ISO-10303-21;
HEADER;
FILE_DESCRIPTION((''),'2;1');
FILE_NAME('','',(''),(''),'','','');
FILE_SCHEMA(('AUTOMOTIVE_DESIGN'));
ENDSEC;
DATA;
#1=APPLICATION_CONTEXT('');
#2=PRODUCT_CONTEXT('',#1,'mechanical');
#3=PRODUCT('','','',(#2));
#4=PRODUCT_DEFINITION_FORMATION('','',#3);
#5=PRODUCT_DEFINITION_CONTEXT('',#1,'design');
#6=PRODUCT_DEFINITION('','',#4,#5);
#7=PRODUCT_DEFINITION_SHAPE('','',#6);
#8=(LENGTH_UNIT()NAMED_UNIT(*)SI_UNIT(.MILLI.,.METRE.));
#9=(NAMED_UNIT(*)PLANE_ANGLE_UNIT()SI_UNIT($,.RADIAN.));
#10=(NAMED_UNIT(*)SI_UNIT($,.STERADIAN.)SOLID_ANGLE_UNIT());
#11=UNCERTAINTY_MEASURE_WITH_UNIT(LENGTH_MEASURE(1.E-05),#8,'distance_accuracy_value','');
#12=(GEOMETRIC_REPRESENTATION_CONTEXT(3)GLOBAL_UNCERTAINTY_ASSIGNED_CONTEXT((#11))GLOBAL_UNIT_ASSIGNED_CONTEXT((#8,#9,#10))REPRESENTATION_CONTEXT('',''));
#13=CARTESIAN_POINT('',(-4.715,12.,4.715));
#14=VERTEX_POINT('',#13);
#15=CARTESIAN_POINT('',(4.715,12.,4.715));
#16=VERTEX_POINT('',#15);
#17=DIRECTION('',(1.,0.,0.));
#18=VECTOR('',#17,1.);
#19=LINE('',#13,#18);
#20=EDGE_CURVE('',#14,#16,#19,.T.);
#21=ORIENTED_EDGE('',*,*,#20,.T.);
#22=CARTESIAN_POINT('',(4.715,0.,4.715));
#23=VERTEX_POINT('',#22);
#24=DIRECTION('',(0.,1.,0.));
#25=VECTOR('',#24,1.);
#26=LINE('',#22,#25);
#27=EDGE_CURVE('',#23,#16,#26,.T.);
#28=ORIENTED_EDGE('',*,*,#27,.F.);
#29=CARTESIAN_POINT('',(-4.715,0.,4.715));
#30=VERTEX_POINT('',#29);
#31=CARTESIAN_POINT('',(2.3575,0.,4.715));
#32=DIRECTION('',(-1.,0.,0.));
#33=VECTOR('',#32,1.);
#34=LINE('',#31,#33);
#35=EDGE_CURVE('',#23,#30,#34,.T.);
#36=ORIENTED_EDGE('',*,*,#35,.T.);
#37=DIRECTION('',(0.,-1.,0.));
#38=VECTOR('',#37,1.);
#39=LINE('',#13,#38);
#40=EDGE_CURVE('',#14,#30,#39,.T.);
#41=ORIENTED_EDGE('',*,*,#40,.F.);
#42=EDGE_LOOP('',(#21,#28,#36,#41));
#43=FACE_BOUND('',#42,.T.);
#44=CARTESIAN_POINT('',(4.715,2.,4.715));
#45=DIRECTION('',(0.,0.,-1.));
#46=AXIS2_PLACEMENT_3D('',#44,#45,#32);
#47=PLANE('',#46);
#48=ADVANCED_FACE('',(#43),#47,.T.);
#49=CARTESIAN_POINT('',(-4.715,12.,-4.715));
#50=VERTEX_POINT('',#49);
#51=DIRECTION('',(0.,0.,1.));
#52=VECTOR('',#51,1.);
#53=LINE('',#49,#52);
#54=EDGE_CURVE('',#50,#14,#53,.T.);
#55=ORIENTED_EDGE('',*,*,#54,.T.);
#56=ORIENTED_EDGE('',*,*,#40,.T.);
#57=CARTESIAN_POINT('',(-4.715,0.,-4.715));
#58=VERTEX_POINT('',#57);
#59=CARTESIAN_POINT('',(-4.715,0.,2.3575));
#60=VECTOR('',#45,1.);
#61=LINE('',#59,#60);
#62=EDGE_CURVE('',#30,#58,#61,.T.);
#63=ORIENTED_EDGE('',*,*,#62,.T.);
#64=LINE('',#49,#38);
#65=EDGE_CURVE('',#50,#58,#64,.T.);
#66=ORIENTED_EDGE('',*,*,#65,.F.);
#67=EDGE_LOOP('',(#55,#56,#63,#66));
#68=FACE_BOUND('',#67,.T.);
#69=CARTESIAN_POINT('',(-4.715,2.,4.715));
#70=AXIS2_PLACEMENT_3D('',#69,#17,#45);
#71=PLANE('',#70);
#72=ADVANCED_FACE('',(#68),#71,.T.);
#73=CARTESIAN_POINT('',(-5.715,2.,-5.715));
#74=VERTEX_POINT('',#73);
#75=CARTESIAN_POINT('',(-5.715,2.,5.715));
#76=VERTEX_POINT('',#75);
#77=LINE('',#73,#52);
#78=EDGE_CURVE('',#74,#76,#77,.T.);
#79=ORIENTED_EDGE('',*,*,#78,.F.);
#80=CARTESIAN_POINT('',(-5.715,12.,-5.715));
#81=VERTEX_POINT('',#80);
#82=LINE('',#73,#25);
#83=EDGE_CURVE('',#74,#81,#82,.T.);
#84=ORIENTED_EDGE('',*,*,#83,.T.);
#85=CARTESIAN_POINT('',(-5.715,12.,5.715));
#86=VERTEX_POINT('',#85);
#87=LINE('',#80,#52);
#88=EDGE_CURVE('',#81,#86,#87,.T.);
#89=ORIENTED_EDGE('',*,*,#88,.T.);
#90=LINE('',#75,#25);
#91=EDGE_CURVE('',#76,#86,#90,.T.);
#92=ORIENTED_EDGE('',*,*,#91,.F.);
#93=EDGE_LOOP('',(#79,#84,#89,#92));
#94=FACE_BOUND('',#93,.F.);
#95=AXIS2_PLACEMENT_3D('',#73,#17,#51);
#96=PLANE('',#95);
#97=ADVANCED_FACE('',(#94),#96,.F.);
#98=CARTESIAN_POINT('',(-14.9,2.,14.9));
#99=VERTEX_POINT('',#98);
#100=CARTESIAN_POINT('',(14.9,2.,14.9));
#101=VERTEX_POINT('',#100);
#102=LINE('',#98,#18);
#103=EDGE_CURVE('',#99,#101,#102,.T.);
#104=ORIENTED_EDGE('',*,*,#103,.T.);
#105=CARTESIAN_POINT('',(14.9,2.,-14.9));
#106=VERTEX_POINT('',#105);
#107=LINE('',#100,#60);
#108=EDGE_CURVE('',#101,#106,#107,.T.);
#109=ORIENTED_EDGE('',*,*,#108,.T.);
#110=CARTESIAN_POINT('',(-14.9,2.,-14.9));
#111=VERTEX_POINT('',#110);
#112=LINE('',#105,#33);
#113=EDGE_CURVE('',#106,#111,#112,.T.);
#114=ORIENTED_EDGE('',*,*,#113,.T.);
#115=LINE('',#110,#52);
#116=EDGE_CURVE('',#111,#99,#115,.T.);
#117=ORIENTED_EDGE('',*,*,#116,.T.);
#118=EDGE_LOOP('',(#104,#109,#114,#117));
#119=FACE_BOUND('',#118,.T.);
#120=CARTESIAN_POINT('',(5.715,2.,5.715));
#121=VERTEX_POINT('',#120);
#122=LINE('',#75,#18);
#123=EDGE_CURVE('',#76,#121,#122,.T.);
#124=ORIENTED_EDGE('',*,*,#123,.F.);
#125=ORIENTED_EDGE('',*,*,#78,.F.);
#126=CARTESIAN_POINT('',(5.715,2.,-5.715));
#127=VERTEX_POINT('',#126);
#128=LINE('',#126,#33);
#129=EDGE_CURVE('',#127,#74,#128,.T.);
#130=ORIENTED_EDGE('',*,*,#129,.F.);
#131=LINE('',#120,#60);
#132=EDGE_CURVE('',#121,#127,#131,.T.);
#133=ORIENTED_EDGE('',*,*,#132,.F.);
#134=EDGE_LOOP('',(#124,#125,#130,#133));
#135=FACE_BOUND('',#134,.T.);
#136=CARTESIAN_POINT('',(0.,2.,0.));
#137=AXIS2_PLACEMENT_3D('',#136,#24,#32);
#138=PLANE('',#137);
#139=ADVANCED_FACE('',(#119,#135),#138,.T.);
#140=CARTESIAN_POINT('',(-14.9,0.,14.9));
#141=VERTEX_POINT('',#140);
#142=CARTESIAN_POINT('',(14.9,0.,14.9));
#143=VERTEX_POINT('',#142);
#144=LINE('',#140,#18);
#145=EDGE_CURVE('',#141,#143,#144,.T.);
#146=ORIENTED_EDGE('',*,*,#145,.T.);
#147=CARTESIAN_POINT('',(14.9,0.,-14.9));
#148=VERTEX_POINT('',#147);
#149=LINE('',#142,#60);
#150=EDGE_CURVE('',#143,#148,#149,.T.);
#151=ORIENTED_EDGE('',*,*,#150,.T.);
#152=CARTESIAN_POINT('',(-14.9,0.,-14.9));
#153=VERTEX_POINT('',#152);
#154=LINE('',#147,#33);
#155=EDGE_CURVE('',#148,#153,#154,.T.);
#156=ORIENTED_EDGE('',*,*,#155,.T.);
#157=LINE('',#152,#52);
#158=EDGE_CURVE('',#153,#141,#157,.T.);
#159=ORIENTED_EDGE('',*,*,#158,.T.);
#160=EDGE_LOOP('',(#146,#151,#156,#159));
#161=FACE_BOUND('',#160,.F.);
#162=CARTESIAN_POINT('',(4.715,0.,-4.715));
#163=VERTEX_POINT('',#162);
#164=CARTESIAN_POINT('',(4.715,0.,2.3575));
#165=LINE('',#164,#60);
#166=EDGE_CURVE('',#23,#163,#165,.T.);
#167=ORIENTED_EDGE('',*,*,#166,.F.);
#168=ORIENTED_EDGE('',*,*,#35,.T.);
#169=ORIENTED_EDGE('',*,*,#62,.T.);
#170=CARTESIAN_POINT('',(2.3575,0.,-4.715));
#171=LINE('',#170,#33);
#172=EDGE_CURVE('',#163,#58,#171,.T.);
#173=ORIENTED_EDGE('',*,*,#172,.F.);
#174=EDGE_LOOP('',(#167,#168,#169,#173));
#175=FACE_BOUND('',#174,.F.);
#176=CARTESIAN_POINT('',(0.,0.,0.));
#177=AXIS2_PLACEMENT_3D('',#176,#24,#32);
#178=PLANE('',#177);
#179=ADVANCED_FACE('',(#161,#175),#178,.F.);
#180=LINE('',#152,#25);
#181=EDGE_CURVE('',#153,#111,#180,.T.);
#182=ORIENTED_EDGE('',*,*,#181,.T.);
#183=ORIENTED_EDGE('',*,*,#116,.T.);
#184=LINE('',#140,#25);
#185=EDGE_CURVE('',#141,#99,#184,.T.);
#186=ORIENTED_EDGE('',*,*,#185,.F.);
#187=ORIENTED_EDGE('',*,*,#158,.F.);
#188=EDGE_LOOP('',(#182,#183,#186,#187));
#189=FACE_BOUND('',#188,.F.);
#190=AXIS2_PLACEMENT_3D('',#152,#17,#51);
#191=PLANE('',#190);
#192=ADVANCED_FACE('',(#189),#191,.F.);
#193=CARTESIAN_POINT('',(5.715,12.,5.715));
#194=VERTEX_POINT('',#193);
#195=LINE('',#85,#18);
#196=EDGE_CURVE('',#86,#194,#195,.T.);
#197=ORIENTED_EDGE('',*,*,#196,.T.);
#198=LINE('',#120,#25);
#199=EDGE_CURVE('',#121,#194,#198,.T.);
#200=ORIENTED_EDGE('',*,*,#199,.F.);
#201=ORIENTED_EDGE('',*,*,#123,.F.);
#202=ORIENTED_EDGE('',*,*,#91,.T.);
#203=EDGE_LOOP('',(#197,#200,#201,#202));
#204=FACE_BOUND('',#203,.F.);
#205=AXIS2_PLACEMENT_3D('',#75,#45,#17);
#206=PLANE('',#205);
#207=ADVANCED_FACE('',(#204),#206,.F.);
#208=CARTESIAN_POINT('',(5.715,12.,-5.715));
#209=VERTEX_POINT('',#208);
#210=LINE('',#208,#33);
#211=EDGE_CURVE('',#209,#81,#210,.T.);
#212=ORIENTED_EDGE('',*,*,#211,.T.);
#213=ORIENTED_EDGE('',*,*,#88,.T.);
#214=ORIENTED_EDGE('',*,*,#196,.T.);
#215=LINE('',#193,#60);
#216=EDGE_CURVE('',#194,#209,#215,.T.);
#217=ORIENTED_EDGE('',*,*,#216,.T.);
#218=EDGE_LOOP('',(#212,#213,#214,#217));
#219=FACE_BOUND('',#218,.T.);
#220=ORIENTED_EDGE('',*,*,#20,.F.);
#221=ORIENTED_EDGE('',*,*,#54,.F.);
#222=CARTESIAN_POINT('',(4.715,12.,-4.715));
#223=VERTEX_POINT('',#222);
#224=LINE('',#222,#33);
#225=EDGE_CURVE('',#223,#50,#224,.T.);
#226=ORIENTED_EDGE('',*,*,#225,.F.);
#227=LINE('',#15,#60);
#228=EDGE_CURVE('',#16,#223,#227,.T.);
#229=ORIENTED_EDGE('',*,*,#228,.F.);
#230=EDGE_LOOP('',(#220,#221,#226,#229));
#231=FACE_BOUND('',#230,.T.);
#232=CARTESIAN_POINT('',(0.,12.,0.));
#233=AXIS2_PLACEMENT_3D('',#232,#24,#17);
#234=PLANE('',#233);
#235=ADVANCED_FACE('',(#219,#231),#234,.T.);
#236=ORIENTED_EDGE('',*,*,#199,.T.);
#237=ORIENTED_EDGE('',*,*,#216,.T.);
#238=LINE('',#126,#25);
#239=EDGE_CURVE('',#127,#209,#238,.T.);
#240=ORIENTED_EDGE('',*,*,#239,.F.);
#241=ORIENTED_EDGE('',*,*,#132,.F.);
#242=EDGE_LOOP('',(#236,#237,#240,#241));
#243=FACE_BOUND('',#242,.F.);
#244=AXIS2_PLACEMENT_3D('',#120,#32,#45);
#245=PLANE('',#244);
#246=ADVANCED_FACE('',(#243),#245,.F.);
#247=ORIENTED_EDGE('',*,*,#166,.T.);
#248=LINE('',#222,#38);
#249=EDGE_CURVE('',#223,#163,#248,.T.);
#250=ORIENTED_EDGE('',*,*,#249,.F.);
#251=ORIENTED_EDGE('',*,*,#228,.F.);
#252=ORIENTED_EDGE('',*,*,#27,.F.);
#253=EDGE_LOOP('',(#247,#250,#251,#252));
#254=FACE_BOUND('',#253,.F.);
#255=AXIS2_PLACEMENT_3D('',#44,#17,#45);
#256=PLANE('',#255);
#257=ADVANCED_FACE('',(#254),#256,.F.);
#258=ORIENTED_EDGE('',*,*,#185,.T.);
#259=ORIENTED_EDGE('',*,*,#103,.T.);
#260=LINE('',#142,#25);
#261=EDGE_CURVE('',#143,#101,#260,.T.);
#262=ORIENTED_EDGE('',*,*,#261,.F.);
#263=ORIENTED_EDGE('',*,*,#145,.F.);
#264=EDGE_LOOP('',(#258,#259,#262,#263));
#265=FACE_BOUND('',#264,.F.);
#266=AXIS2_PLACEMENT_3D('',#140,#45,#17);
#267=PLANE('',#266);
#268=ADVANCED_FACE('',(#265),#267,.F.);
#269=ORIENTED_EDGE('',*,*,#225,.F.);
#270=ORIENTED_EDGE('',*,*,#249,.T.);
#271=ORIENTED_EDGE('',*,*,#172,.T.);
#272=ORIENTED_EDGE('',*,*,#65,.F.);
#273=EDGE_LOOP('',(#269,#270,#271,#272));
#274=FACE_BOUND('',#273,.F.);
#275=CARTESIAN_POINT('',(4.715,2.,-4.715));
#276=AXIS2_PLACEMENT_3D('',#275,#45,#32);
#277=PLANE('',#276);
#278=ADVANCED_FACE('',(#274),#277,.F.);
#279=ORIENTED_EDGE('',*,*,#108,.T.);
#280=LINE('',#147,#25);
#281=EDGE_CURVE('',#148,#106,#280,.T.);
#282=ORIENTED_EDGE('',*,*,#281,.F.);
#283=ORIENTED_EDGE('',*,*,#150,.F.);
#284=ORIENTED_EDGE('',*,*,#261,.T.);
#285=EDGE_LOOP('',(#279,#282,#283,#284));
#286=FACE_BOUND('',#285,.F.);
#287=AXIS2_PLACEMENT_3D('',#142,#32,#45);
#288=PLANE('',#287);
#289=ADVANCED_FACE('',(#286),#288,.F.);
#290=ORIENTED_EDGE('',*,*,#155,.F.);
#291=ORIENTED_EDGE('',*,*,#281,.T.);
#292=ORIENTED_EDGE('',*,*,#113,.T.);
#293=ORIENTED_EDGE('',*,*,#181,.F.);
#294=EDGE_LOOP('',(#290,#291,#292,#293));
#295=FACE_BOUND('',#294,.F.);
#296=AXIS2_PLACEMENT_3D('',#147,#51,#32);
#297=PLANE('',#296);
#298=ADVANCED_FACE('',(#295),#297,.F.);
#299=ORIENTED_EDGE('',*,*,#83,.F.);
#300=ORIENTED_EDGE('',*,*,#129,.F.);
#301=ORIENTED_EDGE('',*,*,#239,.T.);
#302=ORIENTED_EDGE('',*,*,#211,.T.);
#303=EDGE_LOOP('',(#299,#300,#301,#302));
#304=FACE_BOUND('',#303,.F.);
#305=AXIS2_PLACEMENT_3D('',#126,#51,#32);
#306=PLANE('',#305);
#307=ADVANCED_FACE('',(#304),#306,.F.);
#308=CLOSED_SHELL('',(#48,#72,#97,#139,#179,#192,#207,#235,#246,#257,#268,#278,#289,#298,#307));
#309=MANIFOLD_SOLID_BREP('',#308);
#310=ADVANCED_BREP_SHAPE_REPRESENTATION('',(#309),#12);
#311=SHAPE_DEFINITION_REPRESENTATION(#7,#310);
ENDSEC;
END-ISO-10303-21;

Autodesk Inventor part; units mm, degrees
ref_plane "YZ Plane" through (0, 0, 0) normal (1, 0, 0) x (0, 1, 0)
ref_plane "XZ Plane" through (0, 0, 0) normal (0, 1, 0) x (-1, 0, 0)
ref_plane "XY Plane" through (0, 0, 0) normal (0, 0, 1) x (1, 0, 0)
sketch "Sketch1" plane through (0, 0, 0) normal (0, 1, 0) x (-1, 0, 0)
  line L0 (14.9, 14.9) -> (-14.9, 14.9)
  line L1 (-14.9, 14.9) -> (-14.9, -14.9)
  line L2 (-14.9, -14.9) -> (14.9, -14.9)
  line L3 (14.9, -14.9) -> (14.9, 14.9)
  point P0 (0, 0)
  dimension "d0" = 29.8
  dimension "d1" = 29.8
  dimension "d2" = 14.9
  dimension "d3" = 14.9
extrude "Extrusion1" add sketch "Sketch1" along normal blind 2
sketch "Sketch2" plane through (0, 2, 0) normal (0, 1, 0) x (1, 0, 0)
  line L0 (-5.715, -5.715) -> (5.715, -5.715)
  line L1 (5.715, -5.715) -> (5.715, 5.715)
  line L2 (5.715, 5.715) -> (-5.715, 5.715)
  line L3 (-5.715, 5.715) -> (-5.715, -5.715)
  line L4 (-4.715, -4.715) -> (4.715, -4.715)
  line L5 (4.715, -4.715) -> (4.715, 4.715)
  line L6 (4.715, 4.715) -> (-4.715, 4.715)
  line L7 (-4.715, 4.715) -> (-4.715, -4.715)
  line L8 (14.9, 14.9) -> (-14.9, 14.9) projected
  point P0 (0, 0)
  dimension "d6" = 11.43
  dimension "d7" = 11.43
  dimension "d8" = 5.715
  dimension "d9" = 5.715
  dimension "d10" = 1
  dimension "d11" = 1
  dimension "d12" = 1
  dimension "d13" = 1
  dimension "d18" = 9.185
extrude "Extrusion2" add sketch "Sketch2" along normal blind 10
sketch "Sketch3" plane through (0, 2, 0) normal (0, 1, 0) x (1, 0, 0)
  line L0 (4.715, 4.715) -> (-4.715, 4.715) projected
  line L1 (4.715, -4.715) -> (4.715, 4.715) projected
  line L2 (-4.715, 4.715) -> (4.715, 4.715)
  line L3 (4.715, 4.715) -> (4.715, -4.715)
  line L4 (4.715, -4.715) -> (-4.715, -4.715)
  line L5 (-4.715, -4.715) -> (-4.715, 4.715)
  point P0 (0, 0)
extrude "Extrusion3" cut sketch "Sketch3" against normal blind 10
equation "\"d1\" = d0"
equation "\"d2\" = 0.5 * d1"
equation "\"d3\" = 0.5 * d1"
equation "\"d7\" = d6"
equation "\"d8\" = 0.5 * d6"
equation "\"d9\" = 0.5 * d6"
properties part number "Motor_Key_Bearing_3_3"
